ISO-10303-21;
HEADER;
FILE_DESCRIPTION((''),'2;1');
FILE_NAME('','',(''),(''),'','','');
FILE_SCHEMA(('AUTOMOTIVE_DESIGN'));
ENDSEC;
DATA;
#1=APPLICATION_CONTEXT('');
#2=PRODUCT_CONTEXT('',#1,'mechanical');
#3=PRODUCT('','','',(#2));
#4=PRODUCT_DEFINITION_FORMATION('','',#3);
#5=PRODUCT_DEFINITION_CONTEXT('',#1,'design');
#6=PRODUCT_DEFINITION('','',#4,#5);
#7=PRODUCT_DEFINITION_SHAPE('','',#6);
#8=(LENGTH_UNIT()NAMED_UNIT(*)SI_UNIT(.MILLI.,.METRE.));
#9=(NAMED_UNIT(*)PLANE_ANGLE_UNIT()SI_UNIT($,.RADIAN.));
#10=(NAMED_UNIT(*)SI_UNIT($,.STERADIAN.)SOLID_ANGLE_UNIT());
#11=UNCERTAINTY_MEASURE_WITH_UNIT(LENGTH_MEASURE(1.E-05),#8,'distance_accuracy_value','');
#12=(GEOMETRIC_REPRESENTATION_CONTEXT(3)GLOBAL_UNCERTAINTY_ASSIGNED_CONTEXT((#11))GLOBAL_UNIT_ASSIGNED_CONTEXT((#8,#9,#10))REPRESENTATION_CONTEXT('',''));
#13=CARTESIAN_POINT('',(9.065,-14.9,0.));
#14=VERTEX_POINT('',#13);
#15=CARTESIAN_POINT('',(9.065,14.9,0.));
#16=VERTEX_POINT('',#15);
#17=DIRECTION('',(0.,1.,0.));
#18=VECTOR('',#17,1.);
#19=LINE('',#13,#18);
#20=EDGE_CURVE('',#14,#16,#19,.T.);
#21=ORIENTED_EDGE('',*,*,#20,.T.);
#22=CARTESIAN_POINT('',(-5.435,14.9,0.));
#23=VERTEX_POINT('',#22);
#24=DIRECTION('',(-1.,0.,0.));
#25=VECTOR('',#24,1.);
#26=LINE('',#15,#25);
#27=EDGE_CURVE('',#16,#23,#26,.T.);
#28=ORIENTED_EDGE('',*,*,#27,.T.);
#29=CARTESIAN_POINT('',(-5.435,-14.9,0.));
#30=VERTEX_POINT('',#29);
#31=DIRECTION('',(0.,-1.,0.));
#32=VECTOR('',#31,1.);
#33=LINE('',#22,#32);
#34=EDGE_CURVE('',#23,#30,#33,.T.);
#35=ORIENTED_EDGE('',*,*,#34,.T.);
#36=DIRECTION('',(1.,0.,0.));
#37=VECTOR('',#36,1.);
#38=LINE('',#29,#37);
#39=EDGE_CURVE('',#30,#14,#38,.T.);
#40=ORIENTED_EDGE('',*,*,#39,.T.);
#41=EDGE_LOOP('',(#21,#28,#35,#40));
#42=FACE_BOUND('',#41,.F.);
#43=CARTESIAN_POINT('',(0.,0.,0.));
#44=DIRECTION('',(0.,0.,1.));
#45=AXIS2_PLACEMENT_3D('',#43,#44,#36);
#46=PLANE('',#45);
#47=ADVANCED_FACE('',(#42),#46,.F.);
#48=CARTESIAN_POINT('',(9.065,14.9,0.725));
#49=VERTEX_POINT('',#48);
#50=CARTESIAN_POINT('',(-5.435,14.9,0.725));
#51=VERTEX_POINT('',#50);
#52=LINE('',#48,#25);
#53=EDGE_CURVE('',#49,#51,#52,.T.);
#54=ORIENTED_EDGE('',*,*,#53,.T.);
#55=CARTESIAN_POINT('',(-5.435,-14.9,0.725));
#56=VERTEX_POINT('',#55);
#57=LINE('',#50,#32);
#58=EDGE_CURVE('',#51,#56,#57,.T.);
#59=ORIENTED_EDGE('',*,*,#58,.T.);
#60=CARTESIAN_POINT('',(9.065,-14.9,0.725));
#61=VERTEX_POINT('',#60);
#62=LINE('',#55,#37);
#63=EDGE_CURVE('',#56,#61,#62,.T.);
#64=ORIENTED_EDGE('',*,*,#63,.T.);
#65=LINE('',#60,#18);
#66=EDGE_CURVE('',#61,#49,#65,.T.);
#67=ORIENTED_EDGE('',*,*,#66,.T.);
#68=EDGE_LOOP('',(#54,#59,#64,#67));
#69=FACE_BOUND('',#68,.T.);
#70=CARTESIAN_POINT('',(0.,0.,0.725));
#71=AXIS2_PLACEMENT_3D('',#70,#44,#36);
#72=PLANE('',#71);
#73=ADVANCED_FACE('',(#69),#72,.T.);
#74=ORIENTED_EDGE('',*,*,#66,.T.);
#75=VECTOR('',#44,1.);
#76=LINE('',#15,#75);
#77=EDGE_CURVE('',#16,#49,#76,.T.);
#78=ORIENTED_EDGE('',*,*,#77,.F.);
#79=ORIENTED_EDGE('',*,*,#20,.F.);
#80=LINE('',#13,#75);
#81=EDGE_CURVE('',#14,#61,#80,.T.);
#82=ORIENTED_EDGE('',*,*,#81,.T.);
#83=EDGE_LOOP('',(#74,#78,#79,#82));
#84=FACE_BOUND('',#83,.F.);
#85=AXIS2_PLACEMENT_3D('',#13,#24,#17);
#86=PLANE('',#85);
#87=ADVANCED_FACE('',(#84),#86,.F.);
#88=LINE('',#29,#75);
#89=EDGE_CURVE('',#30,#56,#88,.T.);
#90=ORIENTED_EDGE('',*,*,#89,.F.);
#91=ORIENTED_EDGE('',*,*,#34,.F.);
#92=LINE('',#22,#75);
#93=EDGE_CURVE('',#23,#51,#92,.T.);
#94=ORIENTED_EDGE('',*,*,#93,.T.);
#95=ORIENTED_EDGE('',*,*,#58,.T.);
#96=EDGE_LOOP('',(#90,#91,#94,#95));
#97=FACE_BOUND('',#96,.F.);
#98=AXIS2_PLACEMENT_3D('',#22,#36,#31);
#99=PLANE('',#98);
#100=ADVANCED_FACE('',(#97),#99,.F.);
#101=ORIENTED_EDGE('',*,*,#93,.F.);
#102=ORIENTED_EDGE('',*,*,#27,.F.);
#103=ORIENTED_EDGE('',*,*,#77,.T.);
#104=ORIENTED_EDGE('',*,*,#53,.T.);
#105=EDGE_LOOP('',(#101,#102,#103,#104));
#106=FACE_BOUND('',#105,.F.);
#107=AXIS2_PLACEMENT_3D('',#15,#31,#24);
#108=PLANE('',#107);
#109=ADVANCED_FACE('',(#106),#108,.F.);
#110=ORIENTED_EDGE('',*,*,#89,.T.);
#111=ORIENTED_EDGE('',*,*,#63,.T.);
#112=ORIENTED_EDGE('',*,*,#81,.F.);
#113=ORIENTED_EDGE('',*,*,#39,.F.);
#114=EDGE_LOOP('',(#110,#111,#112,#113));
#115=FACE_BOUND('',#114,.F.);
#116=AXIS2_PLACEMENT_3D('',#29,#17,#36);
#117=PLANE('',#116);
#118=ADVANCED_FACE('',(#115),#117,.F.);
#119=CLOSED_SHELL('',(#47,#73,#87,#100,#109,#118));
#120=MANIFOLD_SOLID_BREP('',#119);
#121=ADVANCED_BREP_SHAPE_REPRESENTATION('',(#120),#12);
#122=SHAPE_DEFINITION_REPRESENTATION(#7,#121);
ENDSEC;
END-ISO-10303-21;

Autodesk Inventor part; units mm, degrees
ref_plane "YZ Plane" through (0, 0, 0) normal (1, 0, 0) x (0, 1, 0)
ref_plane "XZ Plane" through (0, 0, 0) normal (0, 1, 0) x (-1, 0, 0)
ref_plane "XY Plane" through (0, 0, 0) normal (0, 0, 1) x (1, 0, 0)
sketch "スケッチ1" plane through (0, 0, 0) normal (0, 0, 1) x (1, 0, 0)
  line L0 (-5.435, 14.9) -> (-5.435, -14.9) construction
  line L1 (-5.435, -14.9) -> (5.435, -14.9) construction
  line L2 (5.435, -14.9) -> (5.435, 14.9) construction
  line L3 (5.435, 14.9) -> (-5.435, 14.9) construction
  line L4 (9.065, 14.9) -> (-5.435, 14.9)
  line L5 (-5.435, 14.9) -> (-5.435, -14.9)
  line L6 (-5.435, -14.9) -> (9.065, -14.9)
  line L7 (9.065, -14.9) -> (9.065, 14.9)
  point P0 (0, 0)
  dimension "d0" = 14.5
extrude "押し出し1" add sketch "スケッチ1" along normal blind 0.725
properties part number "panel"
